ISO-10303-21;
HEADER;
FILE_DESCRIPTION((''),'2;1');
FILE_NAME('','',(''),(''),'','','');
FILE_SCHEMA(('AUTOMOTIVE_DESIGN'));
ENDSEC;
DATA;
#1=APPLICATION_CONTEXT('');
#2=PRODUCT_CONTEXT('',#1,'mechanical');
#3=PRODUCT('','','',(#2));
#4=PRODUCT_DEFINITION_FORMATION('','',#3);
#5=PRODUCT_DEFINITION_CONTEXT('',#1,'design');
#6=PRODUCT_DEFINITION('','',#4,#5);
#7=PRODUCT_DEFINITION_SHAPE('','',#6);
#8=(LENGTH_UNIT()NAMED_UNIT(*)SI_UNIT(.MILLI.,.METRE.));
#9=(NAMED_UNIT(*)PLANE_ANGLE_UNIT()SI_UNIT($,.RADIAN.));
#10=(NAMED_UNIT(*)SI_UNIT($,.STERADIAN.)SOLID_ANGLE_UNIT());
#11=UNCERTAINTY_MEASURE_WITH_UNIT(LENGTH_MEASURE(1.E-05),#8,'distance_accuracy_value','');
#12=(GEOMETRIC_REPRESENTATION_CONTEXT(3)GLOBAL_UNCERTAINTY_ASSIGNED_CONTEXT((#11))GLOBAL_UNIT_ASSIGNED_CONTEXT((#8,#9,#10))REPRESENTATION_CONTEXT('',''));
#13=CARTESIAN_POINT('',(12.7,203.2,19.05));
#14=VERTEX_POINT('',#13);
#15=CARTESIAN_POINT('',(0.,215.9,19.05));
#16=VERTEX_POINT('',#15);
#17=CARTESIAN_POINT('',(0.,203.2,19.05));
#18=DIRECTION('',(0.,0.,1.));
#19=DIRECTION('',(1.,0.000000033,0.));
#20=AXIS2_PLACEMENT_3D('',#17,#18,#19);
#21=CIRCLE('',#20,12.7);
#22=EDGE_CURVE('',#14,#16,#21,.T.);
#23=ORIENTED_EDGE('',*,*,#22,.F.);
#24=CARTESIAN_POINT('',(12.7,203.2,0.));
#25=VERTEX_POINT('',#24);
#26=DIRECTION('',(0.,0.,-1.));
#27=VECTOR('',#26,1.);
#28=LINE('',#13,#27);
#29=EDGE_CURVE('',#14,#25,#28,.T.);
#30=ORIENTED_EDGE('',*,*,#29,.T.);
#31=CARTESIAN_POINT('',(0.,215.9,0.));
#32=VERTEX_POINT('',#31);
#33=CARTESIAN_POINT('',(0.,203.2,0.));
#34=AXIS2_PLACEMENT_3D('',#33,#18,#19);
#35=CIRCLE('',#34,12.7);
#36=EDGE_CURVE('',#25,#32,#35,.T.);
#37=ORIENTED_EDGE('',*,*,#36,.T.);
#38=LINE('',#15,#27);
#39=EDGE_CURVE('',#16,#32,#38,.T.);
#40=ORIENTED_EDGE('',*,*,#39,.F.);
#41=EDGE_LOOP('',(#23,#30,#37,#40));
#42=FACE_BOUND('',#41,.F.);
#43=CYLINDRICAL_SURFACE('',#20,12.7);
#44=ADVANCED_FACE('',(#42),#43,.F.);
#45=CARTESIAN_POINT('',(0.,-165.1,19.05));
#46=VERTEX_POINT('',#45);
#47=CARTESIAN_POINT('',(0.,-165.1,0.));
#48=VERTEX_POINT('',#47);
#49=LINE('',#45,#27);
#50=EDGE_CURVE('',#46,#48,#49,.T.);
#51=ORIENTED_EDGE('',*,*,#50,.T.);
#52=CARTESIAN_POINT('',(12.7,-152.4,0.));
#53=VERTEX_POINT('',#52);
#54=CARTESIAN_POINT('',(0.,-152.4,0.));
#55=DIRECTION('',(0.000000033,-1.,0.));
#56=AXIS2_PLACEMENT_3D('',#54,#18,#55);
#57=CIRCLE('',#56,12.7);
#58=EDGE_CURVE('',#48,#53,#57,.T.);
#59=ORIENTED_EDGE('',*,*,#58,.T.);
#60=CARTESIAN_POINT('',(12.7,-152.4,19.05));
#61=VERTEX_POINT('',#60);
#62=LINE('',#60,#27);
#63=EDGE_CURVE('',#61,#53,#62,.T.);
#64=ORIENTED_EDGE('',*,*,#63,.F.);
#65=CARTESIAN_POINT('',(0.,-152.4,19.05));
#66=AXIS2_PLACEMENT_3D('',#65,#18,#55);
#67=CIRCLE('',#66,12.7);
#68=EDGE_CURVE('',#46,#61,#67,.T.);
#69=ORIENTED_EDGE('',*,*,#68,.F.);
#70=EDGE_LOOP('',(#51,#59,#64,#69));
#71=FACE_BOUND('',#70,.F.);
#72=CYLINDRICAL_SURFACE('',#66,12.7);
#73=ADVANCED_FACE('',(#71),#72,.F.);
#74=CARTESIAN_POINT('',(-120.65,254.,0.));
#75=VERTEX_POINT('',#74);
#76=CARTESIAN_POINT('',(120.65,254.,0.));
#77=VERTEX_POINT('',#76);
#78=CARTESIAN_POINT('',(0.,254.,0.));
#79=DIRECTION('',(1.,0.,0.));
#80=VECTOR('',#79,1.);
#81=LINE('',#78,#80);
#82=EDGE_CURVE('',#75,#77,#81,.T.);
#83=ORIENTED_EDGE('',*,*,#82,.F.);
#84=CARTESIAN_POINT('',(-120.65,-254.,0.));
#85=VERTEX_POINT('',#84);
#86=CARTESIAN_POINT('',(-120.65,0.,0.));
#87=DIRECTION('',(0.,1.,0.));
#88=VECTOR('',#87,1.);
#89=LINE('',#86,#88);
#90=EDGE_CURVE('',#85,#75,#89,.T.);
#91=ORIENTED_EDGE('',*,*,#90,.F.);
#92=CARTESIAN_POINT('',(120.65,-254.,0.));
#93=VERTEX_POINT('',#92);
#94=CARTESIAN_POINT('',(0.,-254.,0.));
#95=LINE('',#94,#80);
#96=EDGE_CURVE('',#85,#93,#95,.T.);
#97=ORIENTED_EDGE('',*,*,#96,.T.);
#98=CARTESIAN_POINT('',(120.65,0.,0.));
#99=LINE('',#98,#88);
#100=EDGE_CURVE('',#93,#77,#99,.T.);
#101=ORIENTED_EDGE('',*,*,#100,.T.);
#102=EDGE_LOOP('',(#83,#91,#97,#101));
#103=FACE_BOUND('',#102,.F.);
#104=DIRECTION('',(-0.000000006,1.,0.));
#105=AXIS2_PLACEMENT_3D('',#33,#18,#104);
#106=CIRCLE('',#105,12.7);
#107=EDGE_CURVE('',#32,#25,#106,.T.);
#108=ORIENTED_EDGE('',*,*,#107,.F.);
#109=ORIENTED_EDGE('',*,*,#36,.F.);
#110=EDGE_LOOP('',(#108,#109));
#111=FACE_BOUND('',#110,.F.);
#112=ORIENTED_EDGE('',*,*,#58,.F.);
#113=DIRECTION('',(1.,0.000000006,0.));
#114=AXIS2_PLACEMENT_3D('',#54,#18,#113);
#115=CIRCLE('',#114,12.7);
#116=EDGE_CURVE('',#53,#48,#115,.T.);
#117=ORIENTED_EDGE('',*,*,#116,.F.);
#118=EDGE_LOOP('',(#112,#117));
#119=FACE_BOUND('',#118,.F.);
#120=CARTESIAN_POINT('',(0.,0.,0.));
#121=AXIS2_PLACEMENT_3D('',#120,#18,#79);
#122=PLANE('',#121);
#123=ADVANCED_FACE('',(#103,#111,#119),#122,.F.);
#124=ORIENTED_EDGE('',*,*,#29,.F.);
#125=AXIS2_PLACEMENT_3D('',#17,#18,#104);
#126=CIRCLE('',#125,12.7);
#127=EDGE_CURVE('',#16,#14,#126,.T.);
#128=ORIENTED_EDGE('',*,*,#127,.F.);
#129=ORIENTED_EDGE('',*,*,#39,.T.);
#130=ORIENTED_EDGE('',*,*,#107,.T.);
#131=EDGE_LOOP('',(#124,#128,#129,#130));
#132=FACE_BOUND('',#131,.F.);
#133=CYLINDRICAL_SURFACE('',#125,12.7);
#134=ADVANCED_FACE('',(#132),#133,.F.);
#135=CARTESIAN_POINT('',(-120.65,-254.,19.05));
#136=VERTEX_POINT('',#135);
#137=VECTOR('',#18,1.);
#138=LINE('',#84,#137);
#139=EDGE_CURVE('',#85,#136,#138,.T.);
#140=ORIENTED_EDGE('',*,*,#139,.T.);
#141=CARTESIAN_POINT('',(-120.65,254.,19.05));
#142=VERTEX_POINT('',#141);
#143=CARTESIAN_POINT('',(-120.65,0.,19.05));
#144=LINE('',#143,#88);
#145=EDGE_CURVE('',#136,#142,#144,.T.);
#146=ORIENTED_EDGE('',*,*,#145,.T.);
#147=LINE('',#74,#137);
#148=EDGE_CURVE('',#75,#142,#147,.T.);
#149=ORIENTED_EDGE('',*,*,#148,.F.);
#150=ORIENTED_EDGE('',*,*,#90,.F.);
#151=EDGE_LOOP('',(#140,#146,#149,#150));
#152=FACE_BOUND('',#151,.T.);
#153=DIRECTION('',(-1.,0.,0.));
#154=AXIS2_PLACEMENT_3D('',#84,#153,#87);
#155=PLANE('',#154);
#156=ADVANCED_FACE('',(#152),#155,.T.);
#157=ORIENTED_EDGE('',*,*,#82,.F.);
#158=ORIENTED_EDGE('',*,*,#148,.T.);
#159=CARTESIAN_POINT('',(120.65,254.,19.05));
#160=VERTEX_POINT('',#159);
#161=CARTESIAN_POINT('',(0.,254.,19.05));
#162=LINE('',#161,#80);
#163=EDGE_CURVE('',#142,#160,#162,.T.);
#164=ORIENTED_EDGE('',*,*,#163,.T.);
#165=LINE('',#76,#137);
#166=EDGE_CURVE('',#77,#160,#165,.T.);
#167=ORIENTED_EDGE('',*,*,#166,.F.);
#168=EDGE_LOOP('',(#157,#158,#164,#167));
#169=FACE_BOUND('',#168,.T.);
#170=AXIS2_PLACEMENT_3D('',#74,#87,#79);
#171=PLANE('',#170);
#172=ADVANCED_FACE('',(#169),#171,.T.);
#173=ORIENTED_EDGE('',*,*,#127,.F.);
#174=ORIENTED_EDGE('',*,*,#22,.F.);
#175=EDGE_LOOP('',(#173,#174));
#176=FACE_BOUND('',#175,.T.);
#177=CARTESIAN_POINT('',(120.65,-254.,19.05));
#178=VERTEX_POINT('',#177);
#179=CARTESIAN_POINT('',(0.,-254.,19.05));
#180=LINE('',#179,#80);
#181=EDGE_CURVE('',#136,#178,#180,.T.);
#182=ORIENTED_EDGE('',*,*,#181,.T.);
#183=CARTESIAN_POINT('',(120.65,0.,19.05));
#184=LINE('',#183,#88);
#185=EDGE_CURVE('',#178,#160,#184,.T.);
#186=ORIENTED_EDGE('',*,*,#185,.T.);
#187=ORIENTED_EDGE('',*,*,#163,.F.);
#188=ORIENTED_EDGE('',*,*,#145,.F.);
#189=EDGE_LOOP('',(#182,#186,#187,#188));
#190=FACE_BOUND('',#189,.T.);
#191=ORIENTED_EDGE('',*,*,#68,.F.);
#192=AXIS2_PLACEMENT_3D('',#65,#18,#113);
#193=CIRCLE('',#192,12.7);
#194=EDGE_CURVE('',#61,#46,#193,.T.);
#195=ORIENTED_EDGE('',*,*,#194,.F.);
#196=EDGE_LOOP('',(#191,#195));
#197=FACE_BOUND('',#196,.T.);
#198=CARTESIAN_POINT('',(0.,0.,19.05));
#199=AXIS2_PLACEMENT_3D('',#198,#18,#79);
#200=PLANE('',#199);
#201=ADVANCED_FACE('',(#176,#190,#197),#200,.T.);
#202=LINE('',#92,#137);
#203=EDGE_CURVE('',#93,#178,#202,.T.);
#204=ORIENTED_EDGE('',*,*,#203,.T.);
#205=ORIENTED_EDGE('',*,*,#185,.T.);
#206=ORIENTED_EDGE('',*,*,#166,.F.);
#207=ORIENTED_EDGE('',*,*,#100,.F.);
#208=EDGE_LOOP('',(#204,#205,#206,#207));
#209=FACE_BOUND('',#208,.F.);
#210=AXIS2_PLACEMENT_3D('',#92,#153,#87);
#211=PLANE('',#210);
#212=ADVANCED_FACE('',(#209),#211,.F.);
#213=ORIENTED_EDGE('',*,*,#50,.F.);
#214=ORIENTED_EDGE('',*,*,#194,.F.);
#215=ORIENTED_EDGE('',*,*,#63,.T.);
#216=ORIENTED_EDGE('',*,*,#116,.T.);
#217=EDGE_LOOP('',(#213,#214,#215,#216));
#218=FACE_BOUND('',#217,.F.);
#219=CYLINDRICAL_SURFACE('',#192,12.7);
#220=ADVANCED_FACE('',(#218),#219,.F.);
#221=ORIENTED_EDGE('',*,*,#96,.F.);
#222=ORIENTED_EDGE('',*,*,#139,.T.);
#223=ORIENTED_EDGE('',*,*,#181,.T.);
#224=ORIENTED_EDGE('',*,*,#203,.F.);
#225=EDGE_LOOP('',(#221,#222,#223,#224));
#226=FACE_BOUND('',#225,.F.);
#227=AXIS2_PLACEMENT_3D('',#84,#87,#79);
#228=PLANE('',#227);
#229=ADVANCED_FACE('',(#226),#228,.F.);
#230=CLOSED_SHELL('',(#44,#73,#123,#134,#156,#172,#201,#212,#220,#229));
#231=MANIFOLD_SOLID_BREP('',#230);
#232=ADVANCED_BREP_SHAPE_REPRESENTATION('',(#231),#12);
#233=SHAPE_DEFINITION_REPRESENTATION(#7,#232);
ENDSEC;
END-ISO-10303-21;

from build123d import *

# Parameters (mm, degrees)
F0_W     = 241.3
F0_H     = 508
F1_DEPTH = 19.05
F3_DEPTH = 19.051


with BuildPart() as f1:
    # F0 (on Top) → F1 (new body)
    with BuildSketch(Plane.XY):
        Rectangle(F0_W, F0_H)
    extrude(amount=F1_DEPTH)

    # F2 (on face) → F3 (cut, through all)
    with BuildSketch(Plane.XY.offset(19.05)):
        with BuildLine():
            ThreePointArc((12.7, 203.2), (8.980256, 212.180256), (0, 215.9))
            ThreePointArc((0, 215.9), (-8.980256, 194.219744), (12.7, 203.2))
        make_face()
        with BuildLine():
            ThreePointArc((12.7, -152.4), (-8.980256, -143.419744), (0, -165.1))
            ThreePointArc((0, -165.1), (8.980256, -161.380256), (12.7, -152.4))
        make_face()
    extrude(amount=-F3_DEPTH, mode=Mode.SUBTRACT)


solid = f1.part
